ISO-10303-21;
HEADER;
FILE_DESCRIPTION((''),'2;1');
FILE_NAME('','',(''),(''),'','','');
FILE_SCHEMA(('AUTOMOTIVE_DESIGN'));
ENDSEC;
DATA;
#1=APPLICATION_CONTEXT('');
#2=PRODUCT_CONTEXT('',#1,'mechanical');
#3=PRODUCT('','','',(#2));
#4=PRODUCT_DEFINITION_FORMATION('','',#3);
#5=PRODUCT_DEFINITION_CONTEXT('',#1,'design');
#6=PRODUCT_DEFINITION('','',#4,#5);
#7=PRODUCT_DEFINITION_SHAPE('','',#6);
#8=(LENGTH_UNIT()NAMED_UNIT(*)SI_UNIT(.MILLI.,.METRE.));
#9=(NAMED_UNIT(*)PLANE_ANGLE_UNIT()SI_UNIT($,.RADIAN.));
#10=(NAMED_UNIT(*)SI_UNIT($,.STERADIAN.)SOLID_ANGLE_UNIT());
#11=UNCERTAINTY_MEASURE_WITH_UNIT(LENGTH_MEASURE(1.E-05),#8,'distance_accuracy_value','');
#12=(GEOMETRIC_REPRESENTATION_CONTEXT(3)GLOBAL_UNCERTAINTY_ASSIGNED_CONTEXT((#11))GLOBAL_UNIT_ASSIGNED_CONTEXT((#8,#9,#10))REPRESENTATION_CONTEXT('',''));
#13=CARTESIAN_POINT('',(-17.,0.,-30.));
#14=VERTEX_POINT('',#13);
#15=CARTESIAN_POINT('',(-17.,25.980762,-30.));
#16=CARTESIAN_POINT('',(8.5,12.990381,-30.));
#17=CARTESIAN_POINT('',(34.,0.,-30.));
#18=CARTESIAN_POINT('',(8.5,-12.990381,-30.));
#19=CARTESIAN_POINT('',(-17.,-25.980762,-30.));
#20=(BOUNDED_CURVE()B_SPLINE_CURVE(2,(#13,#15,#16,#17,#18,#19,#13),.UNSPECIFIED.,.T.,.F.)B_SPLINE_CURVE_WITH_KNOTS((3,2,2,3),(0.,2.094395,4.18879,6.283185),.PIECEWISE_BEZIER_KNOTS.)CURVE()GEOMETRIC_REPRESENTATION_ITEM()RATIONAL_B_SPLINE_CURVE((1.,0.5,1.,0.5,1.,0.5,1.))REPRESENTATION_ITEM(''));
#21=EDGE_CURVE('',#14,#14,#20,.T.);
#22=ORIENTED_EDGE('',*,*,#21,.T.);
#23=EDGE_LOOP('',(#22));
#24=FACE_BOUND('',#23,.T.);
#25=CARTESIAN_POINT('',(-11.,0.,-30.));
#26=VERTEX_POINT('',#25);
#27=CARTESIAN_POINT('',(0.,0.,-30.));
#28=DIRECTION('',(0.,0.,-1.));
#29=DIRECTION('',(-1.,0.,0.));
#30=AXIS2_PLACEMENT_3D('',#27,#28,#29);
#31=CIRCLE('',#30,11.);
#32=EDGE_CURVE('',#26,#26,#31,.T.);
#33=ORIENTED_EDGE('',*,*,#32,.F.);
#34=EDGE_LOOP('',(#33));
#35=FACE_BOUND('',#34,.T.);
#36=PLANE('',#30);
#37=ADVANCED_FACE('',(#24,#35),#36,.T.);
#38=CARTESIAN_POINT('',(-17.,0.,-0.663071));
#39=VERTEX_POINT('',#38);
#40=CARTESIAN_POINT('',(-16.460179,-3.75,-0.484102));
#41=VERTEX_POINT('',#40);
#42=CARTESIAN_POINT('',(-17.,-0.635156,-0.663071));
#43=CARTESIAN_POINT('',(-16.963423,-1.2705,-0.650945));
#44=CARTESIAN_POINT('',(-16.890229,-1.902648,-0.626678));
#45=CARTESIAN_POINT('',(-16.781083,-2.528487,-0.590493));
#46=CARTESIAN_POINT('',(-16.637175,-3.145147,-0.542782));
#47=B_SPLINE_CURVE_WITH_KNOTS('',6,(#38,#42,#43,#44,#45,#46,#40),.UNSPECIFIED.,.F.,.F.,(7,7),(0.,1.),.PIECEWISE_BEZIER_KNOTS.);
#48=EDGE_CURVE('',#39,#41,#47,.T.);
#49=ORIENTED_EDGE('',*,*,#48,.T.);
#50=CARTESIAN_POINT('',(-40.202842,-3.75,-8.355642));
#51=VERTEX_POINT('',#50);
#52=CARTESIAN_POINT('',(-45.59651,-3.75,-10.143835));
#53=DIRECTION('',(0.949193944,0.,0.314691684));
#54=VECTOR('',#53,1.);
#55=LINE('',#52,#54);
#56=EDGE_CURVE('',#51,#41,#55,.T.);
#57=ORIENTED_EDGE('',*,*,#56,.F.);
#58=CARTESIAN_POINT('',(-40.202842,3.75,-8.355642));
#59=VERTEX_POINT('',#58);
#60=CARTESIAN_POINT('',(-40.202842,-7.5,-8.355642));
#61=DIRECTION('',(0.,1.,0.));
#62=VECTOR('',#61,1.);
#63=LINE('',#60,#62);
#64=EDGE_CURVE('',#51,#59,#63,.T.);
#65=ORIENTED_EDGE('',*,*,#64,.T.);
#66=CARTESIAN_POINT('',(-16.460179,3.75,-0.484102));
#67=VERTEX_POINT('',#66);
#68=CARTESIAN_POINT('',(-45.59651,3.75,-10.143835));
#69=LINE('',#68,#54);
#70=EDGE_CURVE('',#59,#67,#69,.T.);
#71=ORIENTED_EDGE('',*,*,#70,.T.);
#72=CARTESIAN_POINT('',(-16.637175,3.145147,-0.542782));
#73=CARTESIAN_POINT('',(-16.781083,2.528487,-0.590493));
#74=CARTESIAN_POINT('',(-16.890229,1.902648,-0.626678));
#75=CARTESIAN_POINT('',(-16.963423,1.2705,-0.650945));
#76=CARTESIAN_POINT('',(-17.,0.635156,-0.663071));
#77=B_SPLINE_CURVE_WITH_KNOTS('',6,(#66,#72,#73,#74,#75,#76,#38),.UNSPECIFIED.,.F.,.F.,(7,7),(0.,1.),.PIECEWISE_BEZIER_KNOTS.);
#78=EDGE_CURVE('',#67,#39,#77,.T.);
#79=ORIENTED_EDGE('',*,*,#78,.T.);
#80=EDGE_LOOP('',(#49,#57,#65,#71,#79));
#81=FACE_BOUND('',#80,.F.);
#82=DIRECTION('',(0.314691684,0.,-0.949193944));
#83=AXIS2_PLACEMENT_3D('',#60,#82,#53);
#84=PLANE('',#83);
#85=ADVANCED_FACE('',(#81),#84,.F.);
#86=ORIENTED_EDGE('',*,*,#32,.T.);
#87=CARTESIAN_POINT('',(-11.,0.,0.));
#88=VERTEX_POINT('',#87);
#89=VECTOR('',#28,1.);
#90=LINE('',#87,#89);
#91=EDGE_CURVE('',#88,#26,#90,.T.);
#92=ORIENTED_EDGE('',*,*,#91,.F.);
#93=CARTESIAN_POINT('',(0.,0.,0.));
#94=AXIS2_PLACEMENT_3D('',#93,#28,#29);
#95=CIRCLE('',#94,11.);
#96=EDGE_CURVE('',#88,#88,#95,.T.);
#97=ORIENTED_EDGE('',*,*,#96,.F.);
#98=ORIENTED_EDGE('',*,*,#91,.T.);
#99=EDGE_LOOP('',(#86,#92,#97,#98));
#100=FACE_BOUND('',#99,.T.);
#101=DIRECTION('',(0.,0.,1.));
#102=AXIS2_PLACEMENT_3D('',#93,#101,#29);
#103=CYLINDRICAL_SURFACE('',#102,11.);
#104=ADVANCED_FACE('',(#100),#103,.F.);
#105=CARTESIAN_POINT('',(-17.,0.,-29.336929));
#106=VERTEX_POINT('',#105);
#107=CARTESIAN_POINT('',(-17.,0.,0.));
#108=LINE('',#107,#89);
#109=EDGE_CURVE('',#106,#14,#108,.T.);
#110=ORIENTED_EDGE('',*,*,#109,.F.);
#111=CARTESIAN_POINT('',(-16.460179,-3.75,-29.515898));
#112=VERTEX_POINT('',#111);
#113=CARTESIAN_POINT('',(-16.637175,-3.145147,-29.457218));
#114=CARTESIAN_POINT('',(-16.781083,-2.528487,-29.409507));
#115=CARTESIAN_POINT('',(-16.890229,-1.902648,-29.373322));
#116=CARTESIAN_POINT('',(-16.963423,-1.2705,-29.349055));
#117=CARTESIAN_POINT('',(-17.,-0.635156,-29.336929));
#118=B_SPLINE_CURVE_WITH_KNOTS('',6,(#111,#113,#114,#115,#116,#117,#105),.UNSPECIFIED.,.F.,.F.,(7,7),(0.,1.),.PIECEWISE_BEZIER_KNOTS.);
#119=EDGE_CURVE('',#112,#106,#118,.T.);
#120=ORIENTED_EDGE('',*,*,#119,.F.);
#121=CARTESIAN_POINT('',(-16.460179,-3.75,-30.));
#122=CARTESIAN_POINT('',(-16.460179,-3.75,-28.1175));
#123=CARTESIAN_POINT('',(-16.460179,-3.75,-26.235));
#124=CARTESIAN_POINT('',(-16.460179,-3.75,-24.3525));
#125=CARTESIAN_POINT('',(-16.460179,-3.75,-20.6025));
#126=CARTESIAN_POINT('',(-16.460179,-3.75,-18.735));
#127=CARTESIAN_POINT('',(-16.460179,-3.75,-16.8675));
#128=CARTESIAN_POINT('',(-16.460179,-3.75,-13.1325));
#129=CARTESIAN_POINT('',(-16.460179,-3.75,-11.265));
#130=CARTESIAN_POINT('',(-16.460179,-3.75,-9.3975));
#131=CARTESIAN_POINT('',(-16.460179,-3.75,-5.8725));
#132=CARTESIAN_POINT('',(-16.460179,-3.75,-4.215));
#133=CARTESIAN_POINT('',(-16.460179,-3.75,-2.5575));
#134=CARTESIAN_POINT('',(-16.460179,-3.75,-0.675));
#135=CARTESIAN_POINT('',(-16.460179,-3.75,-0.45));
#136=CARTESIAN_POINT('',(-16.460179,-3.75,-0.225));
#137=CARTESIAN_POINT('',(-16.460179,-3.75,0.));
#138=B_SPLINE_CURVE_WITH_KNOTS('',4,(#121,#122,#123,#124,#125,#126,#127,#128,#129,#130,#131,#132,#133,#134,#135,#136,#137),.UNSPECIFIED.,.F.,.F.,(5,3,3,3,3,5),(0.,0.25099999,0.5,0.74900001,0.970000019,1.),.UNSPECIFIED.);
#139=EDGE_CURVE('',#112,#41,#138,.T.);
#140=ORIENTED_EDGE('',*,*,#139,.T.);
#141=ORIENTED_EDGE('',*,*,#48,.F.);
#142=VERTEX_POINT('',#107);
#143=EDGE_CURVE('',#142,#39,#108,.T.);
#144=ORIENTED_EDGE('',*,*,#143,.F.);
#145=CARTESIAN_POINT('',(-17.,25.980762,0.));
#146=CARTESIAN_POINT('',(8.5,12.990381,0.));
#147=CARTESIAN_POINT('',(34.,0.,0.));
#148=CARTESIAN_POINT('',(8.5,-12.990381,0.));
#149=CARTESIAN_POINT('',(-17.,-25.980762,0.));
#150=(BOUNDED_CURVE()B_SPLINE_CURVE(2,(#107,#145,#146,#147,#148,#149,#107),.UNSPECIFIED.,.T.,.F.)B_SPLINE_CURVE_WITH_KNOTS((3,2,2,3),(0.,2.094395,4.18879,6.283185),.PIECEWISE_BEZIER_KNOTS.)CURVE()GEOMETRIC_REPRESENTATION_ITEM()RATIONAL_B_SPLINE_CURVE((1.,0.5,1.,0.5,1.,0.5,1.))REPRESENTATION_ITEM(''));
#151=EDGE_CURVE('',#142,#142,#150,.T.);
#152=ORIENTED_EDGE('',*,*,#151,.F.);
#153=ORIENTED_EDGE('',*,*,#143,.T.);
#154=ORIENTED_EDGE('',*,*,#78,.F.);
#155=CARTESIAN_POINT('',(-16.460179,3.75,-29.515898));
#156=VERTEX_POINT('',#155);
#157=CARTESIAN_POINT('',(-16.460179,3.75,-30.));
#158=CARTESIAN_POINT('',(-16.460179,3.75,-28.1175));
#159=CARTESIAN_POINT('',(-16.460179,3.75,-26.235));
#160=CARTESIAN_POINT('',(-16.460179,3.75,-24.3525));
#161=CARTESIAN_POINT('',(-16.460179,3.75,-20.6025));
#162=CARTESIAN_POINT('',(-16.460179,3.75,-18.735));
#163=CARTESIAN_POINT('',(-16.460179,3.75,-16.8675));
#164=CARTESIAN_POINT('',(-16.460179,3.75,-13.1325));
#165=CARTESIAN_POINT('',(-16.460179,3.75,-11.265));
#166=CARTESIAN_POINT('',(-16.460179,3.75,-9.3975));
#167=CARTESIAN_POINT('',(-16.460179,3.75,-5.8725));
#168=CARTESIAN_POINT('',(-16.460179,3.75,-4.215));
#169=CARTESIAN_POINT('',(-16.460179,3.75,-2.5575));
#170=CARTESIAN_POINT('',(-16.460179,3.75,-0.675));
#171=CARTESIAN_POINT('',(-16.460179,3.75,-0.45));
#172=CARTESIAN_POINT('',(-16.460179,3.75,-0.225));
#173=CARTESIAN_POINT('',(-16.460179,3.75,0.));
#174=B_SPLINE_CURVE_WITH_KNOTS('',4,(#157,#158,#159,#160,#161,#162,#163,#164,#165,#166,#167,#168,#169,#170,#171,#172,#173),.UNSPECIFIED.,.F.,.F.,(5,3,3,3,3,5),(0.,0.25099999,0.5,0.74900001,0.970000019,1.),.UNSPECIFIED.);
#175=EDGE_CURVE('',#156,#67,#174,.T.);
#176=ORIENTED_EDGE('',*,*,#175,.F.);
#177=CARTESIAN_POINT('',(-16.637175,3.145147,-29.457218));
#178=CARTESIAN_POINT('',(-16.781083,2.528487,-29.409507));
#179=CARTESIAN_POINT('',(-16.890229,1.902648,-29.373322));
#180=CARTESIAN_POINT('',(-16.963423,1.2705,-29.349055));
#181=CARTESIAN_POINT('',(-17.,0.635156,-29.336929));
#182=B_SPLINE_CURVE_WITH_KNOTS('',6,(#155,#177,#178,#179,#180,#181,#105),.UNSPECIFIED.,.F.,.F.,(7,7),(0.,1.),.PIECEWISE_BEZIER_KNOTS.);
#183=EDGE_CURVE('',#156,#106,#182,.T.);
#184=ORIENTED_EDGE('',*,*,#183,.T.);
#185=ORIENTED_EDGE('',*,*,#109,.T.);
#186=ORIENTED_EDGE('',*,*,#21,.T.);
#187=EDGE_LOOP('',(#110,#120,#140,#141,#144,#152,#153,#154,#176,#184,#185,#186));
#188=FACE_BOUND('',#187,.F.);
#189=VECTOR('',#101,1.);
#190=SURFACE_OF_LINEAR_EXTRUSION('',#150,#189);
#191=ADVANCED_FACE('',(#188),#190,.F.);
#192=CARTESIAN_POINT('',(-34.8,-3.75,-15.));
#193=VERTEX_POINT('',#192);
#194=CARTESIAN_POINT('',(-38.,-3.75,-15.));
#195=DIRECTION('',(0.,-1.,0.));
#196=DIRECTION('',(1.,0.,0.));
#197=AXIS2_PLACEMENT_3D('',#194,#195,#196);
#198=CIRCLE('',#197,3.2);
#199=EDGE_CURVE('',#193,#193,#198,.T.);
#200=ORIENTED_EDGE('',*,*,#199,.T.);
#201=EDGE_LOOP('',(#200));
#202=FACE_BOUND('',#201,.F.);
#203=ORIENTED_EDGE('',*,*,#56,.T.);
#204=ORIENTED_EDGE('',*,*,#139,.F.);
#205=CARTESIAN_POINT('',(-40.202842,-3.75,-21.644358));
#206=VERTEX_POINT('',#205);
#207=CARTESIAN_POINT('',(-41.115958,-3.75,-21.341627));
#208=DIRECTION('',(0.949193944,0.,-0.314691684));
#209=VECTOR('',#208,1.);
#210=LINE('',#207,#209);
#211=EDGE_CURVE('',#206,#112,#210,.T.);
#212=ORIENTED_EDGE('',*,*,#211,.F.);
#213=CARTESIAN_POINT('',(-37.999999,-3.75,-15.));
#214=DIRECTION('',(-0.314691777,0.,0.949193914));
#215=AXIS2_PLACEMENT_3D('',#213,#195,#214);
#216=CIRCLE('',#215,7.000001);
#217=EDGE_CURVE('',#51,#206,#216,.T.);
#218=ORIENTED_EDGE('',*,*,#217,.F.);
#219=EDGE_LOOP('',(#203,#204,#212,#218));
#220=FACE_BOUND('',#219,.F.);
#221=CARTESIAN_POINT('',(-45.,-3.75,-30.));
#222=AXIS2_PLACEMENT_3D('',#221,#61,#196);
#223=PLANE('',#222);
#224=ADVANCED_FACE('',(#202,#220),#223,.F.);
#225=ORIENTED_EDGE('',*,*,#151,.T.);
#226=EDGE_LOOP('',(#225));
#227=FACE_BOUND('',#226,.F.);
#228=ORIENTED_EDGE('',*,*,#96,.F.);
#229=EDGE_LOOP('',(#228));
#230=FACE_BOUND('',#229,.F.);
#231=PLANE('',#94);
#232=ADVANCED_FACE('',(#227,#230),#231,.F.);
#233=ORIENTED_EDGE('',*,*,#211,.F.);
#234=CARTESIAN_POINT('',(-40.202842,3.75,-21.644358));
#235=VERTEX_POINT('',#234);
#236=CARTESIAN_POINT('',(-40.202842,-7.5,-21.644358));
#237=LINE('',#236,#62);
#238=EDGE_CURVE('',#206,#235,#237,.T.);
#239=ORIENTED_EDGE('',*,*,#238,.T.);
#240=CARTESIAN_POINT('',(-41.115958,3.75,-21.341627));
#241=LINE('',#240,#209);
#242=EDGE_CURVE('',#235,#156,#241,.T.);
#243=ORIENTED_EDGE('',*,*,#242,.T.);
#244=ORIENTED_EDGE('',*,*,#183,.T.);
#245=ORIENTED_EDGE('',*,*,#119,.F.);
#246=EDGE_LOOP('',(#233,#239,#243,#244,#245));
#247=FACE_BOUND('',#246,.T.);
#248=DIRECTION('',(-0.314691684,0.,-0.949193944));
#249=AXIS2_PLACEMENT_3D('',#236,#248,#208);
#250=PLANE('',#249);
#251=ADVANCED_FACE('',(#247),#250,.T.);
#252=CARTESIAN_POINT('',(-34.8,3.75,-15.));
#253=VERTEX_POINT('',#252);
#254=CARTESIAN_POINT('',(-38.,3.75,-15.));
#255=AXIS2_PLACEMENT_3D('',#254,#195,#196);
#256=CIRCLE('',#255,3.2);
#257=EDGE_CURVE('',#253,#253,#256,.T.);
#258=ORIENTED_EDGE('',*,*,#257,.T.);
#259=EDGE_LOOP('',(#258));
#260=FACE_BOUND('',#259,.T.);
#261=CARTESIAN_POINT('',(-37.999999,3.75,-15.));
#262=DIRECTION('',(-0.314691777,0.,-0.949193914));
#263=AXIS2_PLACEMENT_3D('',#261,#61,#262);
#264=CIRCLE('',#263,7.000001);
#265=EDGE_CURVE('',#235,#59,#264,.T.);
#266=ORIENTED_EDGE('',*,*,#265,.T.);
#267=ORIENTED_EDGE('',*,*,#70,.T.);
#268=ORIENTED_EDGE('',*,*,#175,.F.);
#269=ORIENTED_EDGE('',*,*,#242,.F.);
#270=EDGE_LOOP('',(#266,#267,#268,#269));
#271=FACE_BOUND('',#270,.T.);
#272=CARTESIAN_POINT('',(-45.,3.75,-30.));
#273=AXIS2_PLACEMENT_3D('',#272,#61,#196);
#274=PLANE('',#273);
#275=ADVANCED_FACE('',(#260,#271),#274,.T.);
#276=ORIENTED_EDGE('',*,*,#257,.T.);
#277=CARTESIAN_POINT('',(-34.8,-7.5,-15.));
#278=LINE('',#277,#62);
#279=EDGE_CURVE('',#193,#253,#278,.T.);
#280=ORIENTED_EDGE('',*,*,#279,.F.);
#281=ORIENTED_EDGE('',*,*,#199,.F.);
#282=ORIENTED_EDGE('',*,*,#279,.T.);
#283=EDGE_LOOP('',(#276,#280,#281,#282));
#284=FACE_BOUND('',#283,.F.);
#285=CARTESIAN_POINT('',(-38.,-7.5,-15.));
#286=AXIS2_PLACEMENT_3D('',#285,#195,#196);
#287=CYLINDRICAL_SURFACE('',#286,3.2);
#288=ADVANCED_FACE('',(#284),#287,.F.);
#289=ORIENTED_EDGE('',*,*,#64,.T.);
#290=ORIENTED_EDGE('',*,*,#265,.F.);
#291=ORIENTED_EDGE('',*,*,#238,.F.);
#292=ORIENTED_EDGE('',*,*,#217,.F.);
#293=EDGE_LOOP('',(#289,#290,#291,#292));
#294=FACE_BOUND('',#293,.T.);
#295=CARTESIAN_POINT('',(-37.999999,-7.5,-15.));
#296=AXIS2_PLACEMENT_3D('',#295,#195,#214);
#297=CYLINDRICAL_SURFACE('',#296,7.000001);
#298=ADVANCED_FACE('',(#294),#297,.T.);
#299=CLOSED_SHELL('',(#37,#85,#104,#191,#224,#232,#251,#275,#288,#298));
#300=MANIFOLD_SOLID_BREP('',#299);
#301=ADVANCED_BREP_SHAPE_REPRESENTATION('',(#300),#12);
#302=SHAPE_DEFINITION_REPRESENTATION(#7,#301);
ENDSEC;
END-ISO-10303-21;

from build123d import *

# Parameters (mm, degrees)
CIRCLE_R                   = 11
EXTRUDE001_DEPTH           = 30
EXTRUDE001_PLACEMENT_ANGLE = 180
EXTRUDE_DEPTH              = 30
EXTRUDE_PLACEMENT_ANGLE    = 180
RECTANGLE001_W             = 30
RECTANGLE001_H             = 7.5
EXTRUDE003_DEPTH           = 30
SKETCH_R                   = 3.2
EXTRUDE002_DEPTH           = 15


with BuildPart() as extrude001:
    # Circle → Extrude001 (new body)
    with BuildSketch(Plane.XY):
        Circle(CIRCLE_R)
    extrude(amount=EXTRUDE001_DEPTH)


with BuildPart() as extrude001_1:
    # Extrude001 placement: moved
    add(extrude001.part.rotate(Axis((0, 0, 0), (0, 1, 0)), EXTRUDE001_PLACEMENT_ANGLE))


with BuildPart() as cut001:
    # Ellipse → Extrude (new body)
    with BuildSketch(Plane.XY):
        with BuildLine():
            add(Edge.make_bspline(
                [(17, 0), (17, 25.980762), (-8.5, 12.990381), (-34, 0), (-8.5, -12.990381), (17, -25.980762), (17, 0)],
                knots=[0, 0, 0, 2.094395, 2.094395, 4.18879, 4.18879, 6.283185, 6.283185, 6.283185], degree=2, weights=[1, 0.5, 1, 0.5, 1, 0.5, 1]))
        make_face()
    extrude(amount=EXTRUDE_DEPTH)


with BuildPart() as cut001_1:
    # Extrude placement: moved
    add(cut001.part.rotate(Axis((0, 0, 0), (0, 1, 0)), EXTRUDE_PLACEMENT_ANGLE))

    # Cut001: cut Extrude001
    add(extrude001_1.part, mode=Mode.SUBTRACT)


with BuildPart() as extrude003:
    # Rectangle001 → Extrude003 (new body)
    with BuildSketch(Plane(origin=(-30, -3.75, -15), x_dir=(1, 0, 0), z_dir=(0, 0, 1))):
        with Locations((15, 3.75)):
            Rectangle(RECTANGLE001_W, RECTANGLE001_H)
    extrude(amount=EXTRUDE003_DEPTH)


with BuildPart() as extrude003_1:
    # Extrude003 placement: moved
    add(extrude003.part.moved(Location((-15, 0, -15))))


with BuildPart() as body:
    # Sketch → Extrude002 (new body)
    with BuildSketch(Plane(origin=(-15, 0, -30), x_dir=(1, 0, 0), z_dir=(0, -1, 0))):
        with BuildLine():
            Line((-25.202842, 21.644358), (0, 30))
            Line((0, 30), (0, 0))
            Line((-25.202842, 8.355642), (0, 0))
            ThreePointArc((-25.202842, 21.644358), (-30, 15), (-25.202842, 8.355642))
        make_face()
        with Locations((-23, 15)):
            Circle(SKETCH_R, mode=Mode.SUBTRACT)
    extrude(amount=-EXTRUDE002_DEPTH)


with BuildPart() as body_1:
    # Extrude002 placement: moved
    add(body.part.moved(Location((0, -7.5, 0))))

    # Common: intersect Extrude003
    add(extrude003_1.part, mode=Mode.INTERSECT)

    # Fusion: union Cut001
    add(cut001_1.part)


solid = body_1.part
